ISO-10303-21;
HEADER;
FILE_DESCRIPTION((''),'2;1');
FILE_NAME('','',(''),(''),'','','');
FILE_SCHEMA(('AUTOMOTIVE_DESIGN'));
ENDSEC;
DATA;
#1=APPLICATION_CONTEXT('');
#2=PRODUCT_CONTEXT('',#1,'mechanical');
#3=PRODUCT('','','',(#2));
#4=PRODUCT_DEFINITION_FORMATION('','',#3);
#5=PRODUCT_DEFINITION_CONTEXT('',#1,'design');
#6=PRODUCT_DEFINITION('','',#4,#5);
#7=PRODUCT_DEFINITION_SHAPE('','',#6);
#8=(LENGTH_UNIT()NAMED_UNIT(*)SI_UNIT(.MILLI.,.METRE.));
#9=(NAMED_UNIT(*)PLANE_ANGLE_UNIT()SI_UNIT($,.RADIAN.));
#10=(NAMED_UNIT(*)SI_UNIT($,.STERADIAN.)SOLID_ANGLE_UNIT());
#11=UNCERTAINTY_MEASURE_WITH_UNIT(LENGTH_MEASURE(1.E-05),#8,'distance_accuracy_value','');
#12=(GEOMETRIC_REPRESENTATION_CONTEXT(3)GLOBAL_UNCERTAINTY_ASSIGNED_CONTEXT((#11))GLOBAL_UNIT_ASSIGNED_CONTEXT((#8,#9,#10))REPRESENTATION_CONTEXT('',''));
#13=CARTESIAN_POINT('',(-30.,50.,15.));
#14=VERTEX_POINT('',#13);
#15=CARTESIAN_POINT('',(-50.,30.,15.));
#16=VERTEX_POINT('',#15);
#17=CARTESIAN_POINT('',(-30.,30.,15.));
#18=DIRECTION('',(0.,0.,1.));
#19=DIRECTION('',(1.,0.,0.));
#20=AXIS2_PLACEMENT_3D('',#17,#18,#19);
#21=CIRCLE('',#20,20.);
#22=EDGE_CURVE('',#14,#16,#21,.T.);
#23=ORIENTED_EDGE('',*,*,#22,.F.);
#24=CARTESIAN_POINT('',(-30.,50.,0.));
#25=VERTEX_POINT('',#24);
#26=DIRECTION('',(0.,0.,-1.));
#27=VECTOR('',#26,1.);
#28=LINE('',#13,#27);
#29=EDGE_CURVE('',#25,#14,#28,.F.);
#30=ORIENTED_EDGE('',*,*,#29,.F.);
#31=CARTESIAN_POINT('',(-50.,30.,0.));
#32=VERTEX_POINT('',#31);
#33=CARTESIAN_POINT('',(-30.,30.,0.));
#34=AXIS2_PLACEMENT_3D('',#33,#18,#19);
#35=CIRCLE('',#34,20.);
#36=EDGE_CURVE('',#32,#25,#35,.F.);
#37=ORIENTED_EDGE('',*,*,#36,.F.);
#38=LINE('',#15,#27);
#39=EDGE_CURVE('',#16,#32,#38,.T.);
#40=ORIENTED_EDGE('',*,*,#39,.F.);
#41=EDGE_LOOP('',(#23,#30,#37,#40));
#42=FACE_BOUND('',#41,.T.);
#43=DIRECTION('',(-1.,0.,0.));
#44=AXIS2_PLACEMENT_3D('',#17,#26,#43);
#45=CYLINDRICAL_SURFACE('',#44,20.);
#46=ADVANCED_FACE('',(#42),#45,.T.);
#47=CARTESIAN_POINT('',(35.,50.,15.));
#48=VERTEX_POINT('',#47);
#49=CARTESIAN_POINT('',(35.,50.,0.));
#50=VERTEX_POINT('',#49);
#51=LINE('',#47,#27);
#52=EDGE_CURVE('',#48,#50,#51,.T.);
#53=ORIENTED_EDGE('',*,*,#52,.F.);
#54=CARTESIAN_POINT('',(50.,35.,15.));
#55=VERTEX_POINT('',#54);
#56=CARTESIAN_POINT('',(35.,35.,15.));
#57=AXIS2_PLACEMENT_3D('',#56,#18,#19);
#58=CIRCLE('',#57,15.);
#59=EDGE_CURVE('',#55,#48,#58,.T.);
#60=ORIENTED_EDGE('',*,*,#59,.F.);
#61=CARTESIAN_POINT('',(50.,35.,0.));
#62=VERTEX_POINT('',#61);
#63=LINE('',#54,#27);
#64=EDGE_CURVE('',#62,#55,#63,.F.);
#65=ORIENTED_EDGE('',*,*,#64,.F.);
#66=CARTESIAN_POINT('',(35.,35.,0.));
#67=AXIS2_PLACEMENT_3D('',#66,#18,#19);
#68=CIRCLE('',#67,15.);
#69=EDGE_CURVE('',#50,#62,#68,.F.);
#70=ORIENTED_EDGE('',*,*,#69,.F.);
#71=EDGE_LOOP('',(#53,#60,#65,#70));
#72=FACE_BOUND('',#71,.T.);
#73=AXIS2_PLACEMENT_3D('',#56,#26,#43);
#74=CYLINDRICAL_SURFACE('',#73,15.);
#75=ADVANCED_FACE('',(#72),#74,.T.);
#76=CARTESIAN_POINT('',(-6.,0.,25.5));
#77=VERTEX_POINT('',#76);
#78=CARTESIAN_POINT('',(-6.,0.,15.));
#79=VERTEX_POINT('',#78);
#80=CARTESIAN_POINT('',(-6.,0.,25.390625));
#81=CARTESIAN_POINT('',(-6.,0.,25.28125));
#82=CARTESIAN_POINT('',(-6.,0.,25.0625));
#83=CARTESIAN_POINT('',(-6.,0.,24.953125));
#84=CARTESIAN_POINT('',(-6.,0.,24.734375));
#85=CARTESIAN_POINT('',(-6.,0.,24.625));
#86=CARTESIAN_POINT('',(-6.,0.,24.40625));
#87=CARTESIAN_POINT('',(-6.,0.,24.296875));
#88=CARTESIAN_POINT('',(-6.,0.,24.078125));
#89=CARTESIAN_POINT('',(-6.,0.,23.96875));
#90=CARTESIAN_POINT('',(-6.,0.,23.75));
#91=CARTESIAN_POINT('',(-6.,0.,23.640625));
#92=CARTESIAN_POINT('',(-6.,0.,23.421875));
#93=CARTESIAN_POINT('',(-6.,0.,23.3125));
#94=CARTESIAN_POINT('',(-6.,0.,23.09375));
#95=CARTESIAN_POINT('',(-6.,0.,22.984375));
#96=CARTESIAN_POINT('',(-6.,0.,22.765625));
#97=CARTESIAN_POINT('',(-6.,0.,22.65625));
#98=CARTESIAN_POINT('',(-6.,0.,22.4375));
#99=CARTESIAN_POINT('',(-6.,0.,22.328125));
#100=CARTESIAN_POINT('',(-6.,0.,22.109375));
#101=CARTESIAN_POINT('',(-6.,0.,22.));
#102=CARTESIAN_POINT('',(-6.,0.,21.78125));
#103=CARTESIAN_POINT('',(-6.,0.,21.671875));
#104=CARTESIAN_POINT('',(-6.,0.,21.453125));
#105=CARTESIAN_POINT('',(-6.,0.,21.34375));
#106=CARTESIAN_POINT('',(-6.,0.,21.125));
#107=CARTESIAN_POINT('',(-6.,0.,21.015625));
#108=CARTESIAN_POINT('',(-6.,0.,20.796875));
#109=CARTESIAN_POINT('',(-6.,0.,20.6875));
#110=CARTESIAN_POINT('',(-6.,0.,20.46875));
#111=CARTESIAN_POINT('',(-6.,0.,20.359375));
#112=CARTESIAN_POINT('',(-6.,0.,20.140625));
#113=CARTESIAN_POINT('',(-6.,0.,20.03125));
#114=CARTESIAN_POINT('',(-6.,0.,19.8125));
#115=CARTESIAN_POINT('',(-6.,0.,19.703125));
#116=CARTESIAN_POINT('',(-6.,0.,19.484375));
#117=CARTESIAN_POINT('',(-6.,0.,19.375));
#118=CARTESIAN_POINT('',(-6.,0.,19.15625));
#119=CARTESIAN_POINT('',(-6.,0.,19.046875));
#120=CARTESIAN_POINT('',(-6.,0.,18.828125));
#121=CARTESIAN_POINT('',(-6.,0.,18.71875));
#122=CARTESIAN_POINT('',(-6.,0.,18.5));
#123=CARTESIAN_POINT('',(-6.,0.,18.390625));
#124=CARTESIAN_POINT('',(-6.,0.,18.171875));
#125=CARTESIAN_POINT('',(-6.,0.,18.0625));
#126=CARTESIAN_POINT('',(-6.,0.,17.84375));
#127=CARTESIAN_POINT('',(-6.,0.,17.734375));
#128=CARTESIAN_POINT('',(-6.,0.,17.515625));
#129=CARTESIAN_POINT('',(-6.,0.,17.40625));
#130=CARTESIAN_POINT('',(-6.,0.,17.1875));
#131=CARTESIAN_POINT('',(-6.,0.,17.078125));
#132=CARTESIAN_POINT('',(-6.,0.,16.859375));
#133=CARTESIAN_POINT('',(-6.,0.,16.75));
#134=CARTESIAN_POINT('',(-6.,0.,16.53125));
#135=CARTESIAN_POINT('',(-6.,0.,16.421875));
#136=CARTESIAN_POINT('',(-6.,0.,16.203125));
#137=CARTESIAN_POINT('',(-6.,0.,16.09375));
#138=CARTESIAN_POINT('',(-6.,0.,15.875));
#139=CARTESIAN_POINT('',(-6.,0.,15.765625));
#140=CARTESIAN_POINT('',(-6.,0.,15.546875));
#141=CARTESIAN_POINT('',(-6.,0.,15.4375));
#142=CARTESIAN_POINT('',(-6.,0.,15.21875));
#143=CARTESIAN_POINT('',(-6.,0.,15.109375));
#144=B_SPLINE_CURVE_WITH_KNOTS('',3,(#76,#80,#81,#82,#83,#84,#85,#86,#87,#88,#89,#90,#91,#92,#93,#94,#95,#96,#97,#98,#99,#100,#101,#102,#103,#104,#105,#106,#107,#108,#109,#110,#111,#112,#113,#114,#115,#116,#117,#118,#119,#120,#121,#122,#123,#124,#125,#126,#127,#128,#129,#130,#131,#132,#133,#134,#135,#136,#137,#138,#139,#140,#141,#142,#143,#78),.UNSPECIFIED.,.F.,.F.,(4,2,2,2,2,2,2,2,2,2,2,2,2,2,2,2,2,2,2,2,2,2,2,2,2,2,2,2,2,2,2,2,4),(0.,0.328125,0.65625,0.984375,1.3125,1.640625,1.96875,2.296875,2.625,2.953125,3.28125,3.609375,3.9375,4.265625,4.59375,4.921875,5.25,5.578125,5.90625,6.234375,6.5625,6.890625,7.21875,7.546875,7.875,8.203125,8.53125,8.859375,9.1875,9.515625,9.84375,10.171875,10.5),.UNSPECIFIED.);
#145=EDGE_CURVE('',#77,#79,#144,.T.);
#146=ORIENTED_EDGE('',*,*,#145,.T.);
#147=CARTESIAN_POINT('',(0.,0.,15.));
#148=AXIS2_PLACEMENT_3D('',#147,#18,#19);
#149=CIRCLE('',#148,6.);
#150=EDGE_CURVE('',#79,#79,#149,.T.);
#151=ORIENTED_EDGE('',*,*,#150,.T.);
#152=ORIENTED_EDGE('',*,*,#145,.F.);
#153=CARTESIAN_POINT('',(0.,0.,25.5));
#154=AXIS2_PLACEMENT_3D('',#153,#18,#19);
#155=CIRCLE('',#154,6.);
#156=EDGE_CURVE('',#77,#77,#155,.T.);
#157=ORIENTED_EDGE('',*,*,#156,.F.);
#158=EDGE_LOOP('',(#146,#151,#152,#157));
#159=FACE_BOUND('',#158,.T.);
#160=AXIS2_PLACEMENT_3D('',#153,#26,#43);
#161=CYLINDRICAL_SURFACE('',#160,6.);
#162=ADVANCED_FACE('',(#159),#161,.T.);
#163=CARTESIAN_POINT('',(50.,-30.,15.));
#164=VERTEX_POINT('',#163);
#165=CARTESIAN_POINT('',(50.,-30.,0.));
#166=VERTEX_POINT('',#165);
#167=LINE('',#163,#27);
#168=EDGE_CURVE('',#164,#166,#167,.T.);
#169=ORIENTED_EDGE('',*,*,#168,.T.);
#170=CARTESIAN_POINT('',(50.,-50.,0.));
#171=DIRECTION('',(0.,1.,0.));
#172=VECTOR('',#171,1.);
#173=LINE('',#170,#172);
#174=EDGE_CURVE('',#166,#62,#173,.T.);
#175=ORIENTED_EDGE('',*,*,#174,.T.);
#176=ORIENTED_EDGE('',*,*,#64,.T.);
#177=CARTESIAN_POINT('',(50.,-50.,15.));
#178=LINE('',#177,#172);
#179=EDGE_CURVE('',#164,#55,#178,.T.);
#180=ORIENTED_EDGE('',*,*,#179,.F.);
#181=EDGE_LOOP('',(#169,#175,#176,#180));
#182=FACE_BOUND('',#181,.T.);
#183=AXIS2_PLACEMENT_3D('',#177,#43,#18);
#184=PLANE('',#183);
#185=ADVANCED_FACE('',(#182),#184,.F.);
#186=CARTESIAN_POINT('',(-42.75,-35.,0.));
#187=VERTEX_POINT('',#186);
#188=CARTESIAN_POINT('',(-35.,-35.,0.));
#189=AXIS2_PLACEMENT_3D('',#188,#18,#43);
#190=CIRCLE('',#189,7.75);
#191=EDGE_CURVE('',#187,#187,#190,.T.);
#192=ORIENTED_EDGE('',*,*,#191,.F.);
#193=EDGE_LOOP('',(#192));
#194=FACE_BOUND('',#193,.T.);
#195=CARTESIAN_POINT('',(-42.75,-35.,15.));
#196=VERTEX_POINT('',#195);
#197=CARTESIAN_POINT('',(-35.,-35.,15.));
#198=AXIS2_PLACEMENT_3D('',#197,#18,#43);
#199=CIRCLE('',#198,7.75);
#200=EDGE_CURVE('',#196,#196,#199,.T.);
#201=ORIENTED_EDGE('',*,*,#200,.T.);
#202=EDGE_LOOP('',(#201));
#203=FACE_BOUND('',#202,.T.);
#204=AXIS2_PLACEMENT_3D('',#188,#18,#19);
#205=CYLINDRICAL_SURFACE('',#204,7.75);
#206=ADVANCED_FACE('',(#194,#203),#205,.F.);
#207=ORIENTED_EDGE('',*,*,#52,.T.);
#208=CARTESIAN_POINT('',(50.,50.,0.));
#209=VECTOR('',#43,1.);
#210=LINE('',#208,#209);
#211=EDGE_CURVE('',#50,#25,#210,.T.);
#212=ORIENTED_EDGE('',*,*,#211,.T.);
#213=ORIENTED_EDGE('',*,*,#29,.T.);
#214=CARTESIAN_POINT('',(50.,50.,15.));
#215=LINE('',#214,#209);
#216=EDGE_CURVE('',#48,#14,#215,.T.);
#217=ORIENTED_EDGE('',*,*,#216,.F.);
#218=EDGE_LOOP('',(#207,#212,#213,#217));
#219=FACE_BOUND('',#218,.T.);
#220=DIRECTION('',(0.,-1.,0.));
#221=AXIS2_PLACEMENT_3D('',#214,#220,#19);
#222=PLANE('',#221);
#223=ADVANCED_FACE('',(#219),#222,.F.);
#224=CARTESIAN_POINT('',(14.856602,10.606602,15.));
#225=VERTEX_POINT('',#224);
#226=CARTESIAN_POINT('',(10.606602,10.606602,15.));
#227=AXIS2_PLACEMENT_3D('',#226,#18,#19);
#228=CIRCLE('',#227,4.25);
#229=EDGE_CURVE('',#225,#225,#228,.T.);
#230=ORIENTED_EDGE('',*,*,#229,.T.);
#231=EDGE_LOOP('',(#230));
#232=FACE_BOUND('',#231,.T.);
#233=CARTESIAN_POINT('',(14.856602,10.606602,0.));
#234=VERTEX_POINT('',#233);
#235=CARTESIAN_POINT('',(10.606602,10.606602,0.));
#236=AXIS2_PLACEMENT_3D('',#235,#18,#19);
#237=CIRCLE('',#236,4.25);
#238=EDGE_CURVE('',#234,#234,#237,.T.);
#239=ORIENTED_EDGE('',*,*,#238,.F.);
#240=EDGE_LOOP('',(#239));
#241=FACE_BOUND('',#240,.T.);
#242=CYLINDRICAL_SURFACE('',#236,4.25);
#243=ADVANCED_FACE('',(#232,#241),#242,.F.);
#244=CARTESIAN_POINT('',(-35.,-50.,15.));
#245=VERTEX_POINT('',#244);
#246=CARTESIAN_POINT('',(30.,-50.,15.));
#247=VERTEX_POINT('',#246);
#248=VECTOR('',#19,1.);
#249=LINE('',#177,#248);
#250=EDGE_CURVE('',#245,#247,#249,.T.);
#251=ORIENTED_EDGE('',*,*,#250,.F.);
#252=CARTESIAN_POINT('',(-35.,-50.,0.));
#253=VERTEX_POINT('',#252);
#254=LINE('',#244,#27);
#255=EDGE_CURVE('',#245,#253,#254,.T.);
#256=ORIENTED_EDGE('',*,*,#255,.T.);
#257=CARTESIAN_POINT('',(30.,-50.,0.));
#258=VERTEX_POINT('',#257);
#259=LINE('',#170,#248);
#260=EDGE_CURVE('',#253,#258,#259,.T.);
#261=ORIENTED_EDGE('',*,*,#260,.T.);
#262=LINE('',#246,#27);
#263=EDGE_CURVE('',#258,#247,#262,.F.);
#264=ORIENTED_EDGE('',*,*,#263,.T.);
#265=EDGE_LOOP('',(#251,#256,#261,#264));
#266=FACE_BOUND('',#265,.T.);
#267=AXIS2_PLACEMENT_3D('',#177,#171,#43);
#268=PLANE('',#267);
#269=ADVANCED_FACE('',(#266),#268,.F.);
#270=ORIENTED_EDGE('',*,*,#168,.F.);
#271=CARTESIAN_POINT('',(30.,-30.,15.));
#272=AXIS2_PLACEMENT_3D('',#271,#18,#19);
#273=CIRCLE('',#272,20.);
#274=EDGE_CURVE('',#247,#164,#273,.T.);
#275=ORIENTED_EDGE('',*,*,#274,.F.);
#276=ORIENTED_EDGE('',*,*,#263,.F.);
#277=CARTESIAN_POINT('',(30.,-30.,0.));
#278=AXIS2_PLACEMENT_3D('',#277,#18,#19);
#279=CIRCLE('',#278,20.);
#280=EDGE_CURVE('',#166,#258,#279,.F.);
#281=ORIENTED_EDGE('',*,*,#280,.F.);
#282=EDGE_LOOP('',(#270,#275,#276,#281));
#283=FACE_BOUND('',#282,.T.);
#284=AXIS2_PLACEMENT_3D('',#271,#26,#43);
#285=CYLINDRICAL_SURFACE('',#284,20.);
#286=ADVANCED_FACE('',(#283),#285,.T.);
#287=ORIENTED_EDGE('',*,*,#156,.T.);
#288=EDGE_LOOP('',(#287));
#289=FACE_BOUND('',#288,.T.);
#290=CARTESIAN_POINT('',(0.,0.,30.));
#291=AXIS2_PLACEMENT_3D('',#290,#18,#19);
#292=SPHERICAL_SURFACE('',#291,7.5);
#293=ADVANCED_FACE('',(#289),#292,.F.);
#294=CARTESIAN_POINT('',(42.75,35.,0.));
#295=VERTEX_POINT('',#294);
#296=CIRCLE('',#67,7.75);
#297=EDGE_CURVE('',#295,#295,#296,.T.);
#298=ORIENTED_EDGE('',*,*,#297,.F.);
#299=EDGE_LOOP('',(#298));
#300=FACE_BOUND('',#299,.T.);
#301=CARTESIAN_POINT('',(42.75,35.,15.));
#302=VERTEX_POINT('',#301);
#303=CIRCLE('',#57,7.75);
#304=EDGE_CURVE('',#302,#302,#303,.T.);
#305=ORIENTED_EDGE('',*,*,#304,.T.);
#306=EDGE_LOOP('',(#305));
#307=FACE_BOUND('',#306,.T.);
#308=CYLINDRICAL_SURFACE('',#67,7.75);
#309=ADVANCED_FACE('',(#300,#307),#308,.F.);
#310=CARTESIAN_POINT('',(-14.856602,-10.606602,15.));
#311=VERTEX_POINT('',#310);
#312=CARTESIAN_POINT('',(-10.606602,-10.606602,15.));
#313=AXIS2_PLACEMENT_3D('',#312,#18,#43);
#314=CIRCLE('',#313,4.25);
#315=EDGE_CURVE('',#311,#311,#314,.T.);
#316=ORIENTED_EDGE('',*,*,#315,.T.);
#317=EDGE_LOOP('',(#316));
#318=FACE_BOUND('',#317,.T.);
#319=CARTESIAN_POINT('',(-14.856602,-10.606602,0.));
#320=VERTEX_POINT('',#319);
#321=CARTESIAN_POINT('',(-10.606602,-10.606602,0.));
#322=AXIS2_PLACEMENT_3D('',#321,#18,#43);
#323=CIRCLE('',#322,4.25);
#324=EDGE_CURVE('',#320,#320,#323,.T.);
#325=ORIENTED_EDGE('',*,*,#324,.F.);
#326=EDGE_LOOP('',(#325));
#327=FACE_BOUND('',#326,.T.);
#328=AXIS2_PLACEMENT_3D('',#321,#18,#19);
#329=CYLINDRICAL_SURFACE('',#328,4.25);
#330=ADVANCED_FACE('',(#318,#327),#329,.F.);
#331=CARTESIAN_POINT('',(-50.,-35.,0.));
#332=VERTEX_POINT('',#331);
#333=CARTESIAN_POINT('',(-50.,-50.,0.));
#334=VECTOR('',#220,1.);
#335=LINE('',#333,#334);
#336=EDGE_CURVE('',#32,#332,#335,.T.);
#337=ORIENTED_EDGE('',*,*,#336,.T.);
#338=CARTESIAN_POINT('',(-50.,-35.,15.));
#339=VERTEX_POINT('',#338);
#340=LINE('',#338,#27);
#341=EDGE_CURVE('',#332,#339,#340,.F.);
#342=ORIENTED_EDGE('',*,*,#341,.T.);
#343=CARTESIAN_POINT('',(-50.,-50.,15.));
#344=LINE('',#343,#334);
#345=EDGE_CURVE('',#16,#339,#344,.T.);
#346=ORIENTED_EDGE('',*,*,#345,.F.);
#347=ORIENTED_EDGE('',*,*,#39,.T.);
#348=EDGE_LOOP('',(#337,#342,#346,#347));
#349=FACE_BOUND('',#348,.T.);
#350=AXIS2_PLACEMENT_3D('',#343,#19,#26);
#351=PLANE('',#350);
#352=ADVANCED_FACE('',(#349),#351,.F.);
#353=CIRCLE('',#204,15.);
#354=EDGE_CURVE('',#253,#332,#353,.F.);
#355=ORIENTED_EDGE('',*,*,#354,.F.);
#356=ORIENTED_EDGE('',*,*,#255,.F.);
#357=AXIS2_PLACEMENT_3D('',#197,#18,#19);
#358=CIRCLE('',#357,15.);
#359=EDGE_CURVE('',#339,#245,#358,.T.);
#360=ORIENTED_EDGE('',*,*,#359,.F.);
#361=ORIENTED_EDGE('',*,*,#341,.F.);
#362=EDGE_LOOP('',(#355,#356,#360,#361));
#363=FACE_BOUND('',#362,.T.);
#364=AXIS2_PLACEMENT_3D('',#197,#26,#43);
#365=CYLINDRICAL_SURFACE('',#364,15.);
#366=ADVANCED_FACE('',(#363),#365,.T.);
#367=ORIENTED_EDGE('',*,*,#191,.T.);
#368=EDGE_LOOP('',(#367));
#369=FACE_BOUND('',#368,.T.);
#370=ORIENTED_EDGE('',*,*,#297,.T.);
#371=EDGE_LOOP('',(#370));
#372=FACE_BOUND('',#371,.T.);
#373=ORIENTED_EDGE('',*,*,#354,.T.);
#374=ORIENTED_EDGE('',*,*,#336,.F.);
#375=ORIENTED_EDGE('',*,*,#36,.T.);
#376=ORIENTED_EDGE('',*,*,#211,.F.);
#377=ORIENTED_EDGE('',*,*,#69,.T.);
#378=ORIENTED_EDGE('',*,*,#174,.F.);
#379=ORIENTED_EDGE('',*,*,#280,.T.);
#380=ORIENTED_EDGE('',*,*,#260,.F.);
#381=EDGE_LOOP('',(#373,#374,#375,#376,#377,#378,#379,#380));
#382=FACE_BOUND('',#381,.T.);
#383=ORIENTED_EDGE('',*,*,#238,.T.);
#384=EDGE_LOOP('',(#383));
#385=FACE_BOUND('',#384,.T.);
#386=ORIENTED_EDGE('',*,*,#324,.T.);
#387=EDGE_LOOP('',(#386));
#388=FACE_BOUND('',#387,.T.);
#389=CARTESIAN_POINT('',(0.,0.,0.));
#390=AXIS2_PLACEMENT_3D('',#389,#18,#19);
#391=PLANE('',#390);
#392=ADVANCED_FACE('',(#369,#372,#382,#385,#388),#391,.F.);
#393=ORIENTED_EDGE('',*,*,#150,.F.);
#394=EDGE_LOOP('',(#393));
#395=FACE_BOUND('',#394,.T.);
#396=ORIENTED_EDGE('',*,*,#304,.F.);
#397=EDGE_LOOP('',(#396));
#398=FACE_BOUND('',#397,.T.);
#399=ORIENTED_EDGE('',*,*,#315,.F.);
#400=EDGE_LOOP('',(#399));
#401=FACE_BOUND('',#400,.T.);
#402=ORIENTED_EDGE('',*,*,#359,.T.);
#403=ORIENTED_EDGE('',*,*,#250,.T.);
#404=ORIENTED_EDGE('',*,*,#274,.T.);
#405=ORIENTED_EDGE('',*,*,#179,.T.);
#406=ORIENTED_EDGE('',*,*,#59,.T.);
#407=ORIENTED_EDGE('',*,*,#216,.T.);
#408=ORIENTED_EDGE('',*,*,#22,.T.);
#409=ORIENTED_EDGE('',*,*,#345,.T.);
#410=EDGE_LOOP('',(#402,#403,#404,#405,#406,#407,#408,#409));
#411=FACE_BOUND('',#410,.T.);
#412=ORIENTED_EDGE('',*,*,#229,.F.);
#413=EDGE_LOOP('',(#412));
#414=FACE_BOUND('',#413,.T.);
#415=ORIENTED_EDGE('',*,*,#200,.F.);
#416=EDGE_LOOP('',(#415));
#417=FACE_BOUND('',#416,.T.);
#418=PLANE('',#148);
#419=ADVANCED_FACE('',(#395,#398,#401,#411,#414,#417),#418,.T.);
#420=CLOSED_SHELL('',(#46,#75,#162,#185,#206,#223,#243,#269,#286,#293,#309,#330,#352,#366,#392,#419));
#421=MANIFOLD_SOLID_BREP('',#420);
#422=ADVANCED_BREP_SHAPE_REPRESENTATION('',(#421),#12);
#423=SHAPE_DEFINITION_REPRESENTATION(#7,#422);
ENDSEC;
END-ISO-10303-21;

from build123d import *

# Parameters (mm, degrees)
SKETCH1_W           = 100
SKETCH1_H           = 100
BOSS_EXTRUDE1_DEPTH = 15
SKETCH2_R           = 7.75
CUT_EXTRUDE1_DEPTH  = 73.284161474
SKETCH5_R           = 6
BOSS_EXTRUDE6_DEPTH = 10.5
SKETCH6_R           = 4.25
CUT_EXTRUDE3_DEPTH  = 73.284161474
FILLET1_R           = 20
FILLET2_R           = 15
DOME2_FACE_RADIUS   = 6
DOME2_HEIGHT        = 3


with BuildPart() as part:
    # Sketch1 → Boss-Extrude1 (new body)
    with BuildSketch(Plane.XY):
        Rectangle(SKETCH1_W, SKETCH1_H)
    extrude(amount=BOSS_EXTRUDE1_DEPTH)

    # Sketch2 → Cut-Extrude1 (cut, through all)
    with BuildSketch(Plane.XY.offset(15)):
        with Locations((35, 35)):
            Circle(SKETCH2_R)
        with Locations(Location((-35, -35, 0), (0, 0, 180))):
            Circle(SKETCH2_R)
    extrude(amount=-CUT_EXTRUDE1_DEPTH, mode=Mode.SUBTRACT)

    # Sketch5 → Boss-Extrude6 (add)
    with BuildSketch(Plane.XY.offset(15)):
        with Locations(Location((0, 0, 0), (0, 0, 180))):
            Circle(SKETCH5_R)
    extrude(amount=BOSS_EXTRUDE6_DEPTH)

    # Sketch6 → Cut-Extrude3 (cut, through all)
    with BuildSketch(Plane.XY.offset(15)):
        with Locations((10.606601718, 10.606601718)):
            Circle(SKETCH6_R)
        with Locations(Location((-10.606601718, -10.606601718, 0), (0, 0, 180))):
            Circle(SKETCH6_R)
    extrude(amount=-CUT_EXTRUDE3_DEPTH, mode=Mode.SUBTRACT)

    # Fillet1
    fillet1_edges = [part.edges().sort_by_distance(p)[0] for p in [
        (-50, 50, 7.5),
        (50, -50, 7.5),
    ]]
    fillet(fillet1_edges, radius=FILLET1_R)

    # Fillet2
    fillet2_edges = [part.edges().sort_by_distance(p)[0] for p in [
        (50, 50, 7.5),
        (-50, -50, 7.5),
    ]]
    fillet(fillet2_edges, radius=FILLET2_R)

    # Dome2: a dome of height H over a round flat face of radius A is a cap of a sphere of radius (A * A + H * H) / (2 * H)
    dome2_r = (DOME2_FACE_RADIUS * DOME2_FACE_RADIUS + DOME2_HEIGHT * DOME2_HEIGHT) / (2 * DOME2_HEIGHT)
    dome2_base = Plane((0, 0, 25.5), z_dir=(0, 0, -1))
    with Locations(dome2_base.offset(DOME2_HEIGHT - dome2_r)):
        dome2_ball = Sphere(dome2_r, mode=Mode.PRIVATE)
    add(split(dome2_ball, bisect_by=dome2_base, keep=Keep.TOP, mode=Mode.PRIVATE), mode=Mode.SUBTRACT)


solid = part.part
